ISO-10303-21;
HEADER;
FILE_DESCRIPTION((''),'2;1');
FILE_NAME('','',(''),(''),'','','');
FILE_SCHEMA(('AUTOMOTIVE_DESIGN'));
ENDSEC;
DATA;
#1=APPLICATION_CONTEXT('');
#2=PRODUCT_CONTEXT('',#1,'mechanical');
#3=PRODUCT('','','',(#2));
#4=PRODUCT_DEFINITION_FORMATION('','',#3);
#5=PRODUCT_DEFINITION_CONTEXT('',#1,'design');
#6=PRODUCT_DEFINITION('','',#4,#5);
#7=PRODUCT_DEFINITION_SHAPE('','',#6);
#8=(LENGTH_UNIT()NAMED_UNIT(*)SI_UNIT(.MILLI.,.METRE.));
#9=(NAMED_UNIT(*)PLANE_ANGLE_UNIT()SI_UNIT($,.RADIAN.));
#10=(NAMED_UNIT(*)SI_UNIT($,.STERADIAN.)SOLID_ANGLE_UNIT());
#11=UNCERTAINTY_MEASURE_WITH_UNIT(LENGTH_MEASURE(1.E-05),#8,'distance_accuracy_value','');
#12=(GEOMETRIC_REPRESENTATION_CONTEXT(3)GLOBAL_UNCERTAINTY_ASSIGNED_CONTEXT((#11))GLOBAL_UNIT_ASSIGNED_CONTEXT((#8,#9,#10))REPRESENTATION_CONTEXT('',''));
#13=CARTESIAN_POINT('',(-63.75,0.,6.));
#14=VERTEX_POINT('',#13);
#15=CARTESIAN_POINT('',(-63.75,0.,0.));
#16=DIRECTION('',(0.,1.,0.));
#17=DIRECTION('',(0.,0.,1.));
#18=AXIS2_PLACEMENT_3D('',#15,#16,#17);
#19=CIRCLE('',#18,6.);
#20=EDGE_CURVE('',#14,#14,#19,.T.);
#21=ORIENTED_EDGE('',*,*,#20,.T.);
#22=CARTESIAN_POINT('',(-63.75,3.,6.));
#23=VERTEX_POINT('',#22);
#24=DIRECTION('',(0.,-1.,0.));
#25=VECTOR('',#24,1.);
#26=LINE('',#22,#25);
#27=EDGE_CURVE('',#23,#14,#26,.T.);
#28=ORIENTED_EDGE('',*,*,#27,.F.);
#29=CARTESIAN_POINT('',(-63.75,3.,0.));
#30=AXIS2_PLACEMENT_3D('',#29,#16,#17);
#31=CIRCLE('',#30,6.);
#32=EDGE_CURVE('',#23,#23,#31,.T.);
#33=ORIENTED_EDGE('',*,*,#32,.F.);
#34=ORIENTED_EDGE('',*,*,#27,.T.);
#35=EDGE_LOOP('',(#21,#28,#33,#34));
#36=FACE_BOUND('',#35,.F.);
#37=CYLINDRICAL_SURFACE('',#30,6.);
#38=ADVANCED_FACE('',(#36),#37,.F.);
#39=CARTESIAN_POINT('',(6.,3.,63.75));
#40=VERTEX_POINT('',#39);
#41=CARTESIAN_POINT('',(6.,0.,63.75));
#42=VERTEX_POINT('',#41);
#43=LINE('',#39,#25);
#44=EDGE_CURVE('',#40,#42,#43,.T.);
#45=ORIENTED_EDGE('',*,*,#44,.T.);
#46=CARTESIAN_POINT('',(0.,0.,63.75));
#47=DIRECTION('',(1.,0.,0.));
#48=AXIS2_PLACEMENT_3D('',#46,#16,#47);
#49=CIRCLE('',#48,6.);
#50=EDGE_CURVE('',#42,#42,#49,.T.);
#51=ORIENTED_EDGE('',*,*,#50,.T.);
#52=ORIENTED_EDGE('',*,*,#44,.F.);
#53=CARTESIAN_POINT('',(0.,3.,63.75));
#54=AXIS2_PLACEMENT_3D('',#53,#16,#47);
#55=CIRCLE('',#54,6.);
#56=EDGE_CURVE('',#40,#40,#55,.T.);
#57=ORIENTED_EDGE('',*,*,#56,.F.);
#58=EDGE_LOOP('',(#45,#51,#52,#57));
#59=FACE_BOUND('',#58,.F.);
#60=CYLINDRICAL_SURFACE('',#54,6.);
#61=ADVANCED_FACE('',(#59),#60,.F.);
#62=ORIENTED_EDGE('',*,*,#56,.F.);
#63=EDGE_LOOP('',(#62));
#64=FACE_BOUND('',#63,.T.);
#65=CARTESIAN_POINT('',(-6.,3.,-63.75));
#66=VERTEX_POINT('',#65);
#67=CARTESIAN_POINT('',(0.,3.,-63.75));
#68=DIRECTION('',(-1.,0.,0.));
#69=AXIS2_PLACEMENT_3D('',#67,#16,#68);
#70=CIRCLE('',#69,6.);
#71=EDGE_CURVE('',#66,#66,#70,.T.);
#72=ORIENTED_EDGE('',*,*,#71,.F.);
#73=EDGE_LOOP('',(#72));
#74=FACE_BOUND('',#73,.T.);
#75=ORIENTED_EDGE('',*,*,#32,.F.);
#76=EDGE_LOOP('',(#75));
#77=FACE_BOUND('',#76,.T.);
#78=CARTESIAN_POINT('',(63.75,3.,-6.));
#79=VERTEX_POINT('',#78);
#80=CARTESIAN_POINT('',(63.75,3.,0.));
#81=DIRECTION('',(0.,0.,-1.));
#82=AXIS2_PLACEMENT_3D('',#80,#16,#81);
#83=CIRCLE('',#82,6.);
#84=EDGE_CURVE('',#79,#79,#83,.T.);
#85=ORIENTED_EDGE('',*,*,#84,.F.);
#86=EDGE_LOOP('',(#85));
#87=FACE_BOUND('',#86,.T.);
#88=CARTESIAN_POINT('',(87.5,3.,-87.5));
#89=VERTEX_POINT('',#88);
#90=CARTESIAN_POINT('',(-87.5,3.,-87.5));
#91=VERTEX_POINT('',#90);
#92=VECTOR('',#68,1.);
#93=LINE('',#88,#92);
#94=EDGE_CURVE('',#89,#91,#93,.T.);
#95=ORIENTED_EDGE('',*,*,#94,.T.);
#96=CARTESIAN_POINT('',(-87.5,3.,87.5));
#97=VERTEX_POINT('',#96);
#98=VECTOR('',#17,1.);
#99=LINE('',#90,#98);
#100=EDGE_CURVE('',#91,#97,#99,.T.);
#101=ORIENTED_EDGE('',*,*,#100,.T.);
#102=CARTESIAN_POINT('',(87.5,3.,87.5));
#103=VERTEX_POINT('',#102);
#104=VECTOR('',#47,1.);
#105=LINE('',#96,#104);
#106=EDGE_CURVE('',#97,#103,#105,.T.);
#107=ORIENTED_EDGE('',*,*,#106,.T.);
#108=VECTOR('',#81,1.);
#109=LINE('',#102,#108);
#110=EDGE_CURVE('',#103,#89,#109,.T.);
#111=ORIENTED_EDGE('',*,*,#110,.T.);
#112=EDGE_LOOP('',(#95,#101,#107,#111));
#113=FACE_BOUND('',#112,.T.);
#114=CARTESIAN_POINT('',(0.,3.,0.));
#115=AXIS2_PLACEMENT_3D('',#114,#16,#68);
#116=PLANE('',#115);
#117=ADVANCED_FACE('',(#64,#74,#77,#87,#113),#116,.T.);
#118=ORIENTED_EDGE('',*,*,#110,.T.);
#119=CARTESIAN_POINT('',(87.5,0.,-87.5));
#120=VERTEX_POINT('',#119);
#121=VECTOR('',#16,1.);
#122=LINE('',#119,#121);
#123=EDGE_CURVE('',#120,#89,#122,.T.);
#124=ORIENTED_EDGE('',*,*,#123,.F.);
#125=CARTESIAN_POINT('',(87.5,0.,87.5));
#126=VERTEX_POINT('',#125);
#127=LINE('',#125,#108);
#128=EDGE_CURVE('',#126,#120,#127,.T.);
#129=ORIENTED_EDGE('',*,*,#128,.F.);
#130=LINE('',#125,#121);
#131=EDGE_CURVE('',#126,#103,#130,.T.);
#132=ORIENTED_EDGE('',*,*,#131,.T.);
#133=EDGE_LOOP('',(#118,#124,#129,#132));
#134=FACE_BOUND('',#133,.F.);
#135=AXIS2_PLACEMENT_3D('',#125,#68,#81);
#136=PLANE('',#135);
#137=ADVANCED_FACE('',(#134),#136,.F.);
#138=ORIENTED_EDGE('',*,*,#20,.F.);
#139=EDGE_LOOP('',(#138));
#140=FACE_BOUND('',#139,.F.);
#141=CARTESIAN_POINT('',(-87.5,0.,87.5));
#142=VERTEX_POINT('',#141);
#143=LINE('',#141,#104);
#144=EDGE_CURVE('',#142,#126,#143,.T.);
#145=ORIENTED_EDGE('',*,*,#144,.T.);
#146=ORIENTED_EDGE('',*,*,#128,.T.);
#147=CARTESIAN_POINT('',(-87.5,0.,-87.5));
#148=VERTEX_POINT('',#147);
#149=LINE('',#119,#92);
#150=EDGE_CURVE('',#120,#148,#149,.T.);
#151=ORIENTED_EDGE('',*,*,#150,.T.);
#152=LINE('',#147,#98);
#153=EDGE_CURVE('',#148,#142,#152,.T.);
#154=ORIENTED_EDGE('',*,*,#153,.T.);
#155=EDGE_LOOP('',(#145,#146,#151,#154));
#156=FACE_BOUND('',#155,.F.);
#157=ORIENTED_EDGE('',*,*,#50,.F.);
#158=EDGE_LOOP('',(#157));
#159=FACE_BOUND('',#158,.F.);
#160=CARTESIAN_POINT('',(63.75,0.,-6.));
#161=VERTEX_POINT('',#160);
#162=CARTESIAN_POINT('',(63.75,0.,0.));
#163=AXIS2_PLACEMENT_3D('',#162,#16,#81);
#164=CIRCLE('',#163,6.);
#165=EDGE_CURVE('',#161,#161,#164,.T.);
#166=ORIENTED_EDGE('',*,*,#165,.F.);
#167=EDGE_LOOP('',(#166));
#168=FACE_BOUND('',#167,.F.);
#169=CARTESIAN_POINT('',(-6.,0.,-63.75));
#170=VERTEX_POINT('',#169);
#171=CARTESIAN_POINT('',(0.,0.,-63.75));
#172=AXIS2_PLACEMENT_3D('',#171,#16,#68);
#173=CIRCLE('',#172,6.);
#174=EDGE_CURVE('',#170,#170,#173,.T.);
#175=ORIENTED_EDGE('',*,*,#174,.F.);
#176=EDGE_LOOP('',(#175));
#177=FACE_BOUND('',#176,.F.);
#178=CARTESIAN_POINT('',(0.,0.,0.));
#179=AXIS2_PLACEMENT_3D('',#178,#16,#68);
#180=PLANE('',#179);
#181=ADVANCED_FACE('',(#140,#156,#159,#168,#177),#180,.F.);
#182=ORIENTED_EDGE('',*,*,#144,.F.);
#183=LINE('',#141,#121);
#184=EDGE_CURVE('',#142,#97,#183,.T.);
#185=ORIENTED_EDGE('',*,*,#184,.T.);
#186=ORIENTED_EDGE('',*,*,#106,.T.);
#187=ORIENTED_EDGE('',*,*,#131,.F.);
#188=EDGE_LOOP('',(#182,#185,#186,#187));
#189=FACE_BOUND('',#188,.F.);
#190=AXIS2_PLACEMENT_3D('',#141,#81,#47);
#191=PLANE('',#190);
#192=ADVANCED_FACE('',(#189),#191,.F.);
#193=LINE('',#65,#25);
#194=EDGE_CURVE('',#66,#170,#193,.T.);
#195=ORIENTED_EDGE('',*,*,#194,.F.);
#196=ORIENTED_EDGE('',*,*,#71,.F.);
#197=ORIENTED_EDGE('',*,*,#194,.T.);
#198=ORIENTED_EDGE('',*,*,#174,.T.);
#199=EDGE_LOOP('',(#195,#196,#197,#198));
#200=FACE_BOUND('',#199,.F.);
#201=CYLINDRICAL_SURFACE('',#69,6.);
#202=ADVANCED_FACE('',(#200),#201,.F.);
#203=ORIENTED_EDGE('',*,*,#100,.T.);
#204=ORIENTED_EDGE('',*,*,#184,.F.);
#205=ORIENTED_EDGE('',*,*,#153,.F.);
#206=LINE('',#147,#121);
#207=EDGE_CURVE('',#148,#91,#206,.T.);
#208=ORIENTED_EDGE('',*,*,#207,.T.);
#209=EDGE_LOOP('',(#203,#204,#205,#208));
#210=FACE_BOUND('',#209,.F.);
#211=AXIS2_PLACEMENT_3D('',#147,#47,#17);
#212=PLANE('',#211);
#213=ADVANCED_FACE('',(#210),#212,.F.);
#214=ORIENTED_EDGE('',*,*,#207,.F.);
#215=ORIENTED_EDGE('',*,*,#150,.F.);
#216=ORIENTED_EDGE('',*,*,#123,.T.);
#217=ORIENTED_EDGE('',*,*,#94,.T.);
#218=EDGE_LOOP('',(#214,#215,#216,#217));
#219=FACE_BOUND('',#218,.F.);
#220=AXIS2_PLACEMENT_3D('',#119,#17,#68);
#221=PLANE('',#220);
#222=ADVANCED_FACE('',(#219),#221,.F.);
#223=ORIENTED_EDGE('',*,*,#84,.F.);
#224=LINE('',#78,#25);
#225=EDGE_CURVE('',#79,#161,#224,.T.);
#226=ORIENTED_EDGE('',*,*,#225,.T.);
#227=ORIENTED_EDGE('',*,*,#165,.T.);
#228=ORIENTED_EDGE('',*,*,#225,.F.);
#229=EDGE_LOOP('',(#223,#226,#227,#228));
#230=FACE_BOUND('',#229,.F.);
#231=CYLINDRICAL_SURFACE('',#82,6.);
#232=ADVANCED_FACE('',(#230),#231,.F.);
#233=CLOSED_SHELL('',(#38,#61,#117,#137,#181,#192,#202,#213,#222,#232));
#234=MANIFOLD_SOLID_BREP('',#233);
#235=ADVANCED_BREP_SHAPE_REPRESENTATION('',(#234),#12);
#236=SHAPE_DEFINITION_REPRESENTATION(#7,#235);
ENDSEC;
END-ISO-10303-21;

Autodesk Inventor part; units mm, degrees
ref_plane "YZ Plane" through (0, 0, 0) normal (1, 0, 0) x (0, 1, 0)
ref_plane "XZ Plane" through (0, 0, 0) normal (0, 1, 0) x (-1, 0, 0)
ref_plane "XY Plane" through (0, 0, 0) normal (0, 0, 1) x (1, 0, 0)
sketch "Sketch1" plane through (0, 0, 0) normal (0, 1, 0) x (-1, 0, 0)
  line L0 (87.5, 87.5) -> (-87.5, 87.5)
  line L1 (-87.5, 87.5) -> (-87.5, -87.5)
  line L2 (-87.5, -87.5) -> (87.5, -87.5)
  line L3 (87.5, -87.5) -> (87.5, 87.5)
  line L4 (87.5, 87.5) -> (-87.5, -87.5) construction
  line L5 (40, 40) -> (-40, 40) construction
  line L6 (-40, 40) -> (-40, -40) construction
  line L7 (-40, -40) -> (40, -40) construction
  line L8 (40, -40) -> (40, 40) construction
  line L9 (-40, 40) -> (40, -40) construction
  point P0 (0, 0)
  point P1 (0, 0)
  point P2 (0, 87.5)
  dimension "d0" = 175
  dimension "d1" = 175
  dimension "d2" = 80
  dimension "d3" = 80
extrude "Plate1" add sketch "Sketch1" along normal blind 3
sketch "Sketch2" plane through (0, 3, 0) normal (0, 1, 0) x (1, 0, 0)
  circle A0 centre (0, -63.75) radius 6
  line L0 (87.5, -87.5) -> (-87.5, -87.5) projected
  point P0 (0, 0)
  point P1 (0, -87.5)
  dimension "d7" = 23.75
  dimension "d8" = 12
extrude "Extrusion1" cut sketch "Sketch2" against normal blind 10
pattern_circular "Circular Pattern1" count 4 over 360 about axis through (0, -10, 0) along (0, 1, 0) of "Extrusion1"
equation "\"BendReliefWidth\" = Thickness"
equation "\"BendReliefDepth\" = 0.5 * Thickness"
equation "\"CornerReliefSize\" = 4 * Thickness"
equation "\"MinimumRemnant\" = 2 * Thickness"
equation "\"TransitionRadius\" = BendRadius"
equation "\"JacobiRadiusSize\" = BendRadius"
equation "\"GapSize\" = Thickness"
properties part number "MSC 127 flange frame heel" material "Stainless Steel"
